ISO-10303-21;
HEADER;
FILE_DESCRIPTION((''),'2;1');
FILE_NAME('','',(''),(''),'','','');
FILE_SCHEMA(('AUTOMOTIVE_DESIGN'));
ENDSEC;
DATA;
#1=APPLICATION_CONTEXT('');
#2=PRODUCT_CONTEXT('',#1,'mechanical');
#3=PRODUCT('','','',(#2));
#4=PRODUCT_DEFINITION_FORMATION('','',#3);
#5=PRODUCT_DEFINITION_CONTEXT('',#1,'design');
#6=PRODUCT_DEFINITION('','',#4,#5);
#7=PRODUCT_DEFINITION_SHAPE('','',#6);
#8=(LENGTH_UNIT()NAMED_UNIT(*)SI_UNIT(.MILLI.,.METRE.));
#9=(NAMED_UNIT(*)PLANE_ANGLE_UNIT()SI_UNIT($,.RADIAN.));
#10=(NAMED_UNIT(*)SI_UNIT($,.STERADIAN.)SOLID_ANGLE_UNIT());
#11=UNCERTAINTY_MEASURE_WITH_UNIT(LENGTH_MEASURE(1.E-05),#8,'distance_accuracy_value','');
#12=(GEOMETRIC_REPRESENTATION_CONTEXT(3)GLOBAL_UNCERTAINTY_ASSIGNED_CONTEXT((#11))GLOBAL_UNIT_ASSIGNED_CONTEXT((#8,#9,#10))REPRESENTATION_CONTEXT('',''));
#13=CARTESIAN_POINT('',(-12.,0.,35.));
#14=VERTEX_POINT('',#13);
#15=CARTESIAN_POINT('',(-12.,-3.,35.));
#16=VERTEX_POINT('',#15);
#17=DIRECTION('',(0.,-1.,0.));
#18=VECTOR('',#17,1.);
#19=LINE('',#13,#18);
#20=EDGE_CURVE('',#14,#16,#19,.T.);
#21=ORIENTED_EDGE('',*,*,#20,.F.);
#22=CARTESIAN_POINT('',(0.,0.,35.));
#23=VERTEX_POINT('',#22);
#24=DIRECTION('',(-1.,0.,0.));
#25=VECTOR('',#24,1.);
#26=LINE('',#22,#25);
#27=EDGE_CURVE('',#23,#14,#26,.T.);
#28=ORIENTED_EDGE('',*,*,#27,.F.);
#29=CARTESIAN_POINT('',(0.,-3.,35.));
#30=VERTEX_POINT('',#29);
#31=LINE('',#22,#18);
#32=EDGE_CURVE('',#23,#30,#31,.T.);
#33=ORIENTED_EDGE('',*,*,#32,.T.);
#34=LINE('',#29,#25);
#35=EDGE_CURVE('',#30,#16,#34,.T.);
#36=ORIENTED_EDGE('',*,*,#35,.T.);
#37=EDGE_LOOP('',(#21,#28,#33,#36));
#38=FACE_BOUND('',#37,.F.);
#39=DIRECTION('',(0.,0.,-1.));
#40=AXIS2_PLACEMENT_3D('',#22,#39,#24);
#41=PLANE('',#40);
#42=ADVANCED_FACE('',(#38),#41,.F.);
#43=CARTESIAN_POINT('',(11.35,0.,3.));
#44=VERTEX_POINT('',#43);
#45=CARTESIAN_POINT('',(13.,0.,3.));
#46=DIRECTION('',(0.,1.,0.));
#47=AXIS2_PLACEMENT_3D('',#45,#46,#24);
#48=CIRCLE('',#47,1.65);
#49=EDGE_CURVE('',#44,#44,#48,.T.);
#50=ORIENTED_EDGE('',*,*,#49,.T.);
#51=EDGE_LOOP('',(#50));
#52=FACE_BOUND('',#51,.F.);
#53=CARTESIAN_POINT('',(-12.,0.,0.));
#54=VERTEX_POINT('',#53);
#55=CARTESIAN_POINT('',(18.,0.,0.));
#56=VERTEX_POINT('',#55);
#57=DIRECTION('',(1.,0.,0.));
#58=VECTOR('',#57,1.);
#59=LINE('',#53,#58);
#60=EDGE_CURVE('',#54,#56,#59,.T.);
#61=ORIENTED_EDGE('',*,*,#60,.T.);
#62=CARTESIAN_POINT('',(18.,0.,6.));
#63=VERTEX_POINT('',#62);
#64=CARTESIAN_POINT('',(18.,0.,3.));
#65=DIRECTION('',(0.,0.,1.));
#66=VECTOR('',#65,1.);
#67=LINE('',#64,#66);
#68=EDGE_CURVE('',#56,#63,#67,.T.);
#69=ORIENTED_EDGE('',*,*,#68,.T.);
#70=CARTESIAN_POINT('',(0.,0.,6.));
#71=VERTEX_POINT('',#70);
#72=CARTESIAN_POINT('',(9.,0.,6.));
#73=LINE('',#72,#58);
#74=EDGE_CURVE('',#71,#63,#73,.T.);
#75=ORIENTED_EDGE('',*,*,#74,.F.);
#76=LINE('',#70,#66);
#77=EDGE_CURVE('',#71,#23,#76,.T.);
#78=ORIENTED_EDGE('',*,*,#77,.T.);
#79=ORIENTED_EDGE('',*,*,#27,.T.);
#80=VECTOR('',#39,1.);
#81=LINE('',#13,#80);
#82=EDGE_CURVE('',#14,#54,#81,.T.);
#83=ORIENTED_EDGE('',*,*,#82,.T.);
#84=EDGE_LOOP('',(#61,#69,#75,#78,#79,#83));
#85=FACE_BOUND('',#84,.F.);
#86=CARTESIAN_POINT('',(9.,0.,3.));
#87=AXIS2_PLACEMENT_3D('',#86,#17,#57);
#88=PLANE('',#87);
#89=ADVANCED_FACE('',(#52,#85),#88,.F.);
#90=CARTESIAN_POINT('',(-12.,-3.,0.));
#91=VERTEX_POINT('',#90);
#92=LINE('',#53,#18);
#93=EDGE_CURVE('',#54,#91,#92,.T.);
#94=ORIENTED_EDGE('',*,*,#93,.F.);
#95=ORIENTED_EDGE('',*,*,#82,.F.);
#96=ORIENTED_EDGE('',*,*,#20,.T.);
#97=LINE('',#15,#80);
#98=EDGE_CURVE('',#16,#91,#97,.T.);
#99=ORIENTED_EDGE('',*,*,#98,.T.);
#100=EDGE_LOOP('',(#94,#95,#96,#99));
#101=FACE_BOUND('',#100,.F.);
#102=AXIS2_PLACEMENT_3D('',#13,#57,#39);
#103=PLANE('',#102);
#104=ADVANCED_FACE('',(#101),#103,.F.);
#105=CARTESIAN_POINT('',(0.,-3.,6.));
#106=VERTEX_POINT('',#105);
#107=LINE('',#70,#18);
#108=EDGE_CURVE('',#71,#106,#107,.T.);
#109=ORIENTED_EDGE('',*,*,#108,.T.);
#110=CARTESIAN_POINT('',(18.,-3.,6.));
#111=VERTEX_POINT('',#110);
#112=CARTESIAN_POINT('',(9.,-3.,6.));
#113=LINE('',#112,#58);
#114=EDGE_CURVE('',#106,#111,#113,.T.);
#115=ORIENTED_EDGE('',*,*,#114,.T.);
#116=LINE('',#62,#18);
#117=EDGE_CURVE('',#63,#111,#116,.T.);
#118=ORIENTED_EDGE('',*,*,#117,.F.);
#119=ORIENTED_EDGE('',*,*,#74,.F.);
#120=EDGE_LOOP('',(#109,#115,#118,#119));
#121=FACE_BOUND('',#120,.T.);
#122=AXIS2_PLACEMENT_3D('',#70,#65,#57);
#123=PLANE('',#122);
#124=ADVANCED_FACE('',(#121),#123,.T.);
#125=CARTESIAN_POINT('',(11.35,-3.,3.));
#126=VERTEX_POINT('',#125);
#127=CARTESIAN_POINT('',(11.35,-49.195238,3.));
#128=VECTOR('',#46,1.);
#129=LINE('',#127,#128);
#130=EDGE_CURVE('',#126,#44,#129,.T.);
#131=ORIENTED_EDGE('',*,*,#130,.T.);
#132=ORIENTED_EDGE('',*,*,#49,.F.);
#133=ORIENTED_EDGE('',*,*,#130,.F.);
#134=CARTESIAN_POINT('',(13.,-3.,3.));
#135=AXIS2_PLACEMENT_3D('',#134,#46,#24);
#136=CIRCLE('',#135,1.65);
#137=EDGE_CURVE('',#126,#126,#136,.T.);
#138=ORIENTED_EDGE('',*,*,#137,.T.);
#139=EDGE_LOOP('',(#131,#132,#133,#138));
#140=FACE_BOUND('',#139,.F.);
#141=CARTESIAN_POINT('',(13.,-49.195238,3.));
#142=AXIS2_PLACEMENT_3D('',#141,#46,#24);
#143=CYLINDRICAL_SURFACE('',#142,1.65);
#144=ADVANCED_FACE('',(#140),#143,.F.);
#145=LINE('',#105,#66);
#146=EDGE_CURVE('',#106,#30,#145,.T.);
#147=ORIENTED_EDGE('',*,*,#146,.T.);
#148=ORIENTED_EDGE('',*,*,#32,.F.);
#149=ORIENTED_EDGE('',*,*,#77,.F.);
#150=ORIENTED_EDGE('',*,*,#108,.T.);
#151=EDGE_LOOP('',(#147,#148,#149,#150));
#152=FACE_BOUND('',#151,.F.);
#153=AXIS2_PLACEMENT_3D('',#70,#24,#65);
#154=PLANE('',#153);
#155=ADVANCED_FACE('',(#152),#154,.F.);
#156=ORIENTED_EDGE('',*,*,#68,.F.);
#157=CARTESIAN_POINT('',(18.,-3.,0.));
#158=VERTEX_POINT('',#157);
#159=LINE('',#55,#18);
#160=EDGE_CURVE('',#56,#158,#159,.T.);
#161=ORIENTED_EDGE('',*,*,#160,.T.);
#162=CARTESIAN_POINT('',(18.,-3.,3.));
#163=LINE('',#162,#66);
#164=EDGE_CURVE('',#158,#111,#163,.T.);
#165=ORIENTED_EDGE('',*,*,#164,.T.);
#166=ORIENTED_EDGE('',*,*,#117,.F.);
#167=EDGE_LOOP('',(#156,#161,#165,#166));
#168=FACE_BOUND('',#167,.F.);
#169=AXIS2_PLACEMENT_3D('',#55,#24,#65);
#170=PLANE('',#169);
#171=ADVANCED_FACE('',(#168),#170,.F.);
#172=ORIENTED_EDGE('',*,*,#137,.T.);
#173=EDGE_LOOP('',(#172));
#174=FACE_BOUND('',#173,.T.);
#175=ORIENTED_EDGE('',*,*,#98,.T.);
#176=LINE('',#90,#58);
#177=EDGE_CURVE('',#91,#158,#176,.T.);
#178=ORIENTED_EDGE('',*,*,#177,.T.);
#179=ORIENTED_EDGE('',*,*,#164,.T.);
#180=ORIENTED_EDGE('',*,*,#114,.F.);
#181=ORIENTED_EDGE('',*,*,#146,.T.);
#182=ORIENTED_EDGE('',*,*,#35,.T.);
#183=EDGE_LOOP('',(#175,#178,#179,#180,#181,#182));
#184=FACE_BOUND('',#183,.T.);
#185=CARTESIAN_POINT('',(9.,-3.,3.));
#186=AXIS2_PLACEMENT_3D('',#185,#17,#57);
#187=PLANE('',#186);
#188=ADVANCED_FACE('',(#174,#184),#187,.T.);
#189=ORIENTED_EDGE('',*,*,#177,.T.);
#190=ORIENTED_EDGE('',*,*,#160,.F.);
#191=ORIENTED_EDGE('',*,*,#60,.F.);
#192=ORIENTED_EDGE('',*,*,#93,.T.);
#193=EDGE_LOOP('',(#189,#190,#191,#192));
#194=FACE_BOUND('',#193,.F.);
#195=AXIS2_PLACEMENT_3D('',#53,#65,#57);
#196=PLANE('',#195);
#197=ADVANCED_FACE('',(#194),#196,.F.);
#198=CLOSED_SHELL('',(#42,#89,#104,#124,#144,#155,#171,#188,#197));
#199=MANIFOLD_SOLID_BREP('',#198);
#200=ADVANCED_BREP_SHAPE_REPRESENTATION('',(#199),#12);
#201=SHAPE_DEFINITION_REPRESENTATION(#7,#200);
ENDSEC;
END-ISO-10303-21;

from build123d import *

# Parameters (mm, degrees)
F0_W     = 18
F0_H     = 6
F1_DEPTH = 3
F3_D     = 3.3


with BuildPart() as f1:
    # F0 (on Front) → F1 (new body)
    with BuildSketch(Plane.XZ):
        with Locations((9, 3)):
            Rectangle(F0_W, F0_H)
        Polygon((-12, 0), (0, 0), (0, 6), (0, 35), (-12, 35), align=None)
    extrude(amount=F1_DEPTH)

    # F3 (through all)
    with Locations(Plane.XZ.offset(3)):
        with Locations((13, 3)):
            Hole(F3_D / 2)


solid = f1.part
